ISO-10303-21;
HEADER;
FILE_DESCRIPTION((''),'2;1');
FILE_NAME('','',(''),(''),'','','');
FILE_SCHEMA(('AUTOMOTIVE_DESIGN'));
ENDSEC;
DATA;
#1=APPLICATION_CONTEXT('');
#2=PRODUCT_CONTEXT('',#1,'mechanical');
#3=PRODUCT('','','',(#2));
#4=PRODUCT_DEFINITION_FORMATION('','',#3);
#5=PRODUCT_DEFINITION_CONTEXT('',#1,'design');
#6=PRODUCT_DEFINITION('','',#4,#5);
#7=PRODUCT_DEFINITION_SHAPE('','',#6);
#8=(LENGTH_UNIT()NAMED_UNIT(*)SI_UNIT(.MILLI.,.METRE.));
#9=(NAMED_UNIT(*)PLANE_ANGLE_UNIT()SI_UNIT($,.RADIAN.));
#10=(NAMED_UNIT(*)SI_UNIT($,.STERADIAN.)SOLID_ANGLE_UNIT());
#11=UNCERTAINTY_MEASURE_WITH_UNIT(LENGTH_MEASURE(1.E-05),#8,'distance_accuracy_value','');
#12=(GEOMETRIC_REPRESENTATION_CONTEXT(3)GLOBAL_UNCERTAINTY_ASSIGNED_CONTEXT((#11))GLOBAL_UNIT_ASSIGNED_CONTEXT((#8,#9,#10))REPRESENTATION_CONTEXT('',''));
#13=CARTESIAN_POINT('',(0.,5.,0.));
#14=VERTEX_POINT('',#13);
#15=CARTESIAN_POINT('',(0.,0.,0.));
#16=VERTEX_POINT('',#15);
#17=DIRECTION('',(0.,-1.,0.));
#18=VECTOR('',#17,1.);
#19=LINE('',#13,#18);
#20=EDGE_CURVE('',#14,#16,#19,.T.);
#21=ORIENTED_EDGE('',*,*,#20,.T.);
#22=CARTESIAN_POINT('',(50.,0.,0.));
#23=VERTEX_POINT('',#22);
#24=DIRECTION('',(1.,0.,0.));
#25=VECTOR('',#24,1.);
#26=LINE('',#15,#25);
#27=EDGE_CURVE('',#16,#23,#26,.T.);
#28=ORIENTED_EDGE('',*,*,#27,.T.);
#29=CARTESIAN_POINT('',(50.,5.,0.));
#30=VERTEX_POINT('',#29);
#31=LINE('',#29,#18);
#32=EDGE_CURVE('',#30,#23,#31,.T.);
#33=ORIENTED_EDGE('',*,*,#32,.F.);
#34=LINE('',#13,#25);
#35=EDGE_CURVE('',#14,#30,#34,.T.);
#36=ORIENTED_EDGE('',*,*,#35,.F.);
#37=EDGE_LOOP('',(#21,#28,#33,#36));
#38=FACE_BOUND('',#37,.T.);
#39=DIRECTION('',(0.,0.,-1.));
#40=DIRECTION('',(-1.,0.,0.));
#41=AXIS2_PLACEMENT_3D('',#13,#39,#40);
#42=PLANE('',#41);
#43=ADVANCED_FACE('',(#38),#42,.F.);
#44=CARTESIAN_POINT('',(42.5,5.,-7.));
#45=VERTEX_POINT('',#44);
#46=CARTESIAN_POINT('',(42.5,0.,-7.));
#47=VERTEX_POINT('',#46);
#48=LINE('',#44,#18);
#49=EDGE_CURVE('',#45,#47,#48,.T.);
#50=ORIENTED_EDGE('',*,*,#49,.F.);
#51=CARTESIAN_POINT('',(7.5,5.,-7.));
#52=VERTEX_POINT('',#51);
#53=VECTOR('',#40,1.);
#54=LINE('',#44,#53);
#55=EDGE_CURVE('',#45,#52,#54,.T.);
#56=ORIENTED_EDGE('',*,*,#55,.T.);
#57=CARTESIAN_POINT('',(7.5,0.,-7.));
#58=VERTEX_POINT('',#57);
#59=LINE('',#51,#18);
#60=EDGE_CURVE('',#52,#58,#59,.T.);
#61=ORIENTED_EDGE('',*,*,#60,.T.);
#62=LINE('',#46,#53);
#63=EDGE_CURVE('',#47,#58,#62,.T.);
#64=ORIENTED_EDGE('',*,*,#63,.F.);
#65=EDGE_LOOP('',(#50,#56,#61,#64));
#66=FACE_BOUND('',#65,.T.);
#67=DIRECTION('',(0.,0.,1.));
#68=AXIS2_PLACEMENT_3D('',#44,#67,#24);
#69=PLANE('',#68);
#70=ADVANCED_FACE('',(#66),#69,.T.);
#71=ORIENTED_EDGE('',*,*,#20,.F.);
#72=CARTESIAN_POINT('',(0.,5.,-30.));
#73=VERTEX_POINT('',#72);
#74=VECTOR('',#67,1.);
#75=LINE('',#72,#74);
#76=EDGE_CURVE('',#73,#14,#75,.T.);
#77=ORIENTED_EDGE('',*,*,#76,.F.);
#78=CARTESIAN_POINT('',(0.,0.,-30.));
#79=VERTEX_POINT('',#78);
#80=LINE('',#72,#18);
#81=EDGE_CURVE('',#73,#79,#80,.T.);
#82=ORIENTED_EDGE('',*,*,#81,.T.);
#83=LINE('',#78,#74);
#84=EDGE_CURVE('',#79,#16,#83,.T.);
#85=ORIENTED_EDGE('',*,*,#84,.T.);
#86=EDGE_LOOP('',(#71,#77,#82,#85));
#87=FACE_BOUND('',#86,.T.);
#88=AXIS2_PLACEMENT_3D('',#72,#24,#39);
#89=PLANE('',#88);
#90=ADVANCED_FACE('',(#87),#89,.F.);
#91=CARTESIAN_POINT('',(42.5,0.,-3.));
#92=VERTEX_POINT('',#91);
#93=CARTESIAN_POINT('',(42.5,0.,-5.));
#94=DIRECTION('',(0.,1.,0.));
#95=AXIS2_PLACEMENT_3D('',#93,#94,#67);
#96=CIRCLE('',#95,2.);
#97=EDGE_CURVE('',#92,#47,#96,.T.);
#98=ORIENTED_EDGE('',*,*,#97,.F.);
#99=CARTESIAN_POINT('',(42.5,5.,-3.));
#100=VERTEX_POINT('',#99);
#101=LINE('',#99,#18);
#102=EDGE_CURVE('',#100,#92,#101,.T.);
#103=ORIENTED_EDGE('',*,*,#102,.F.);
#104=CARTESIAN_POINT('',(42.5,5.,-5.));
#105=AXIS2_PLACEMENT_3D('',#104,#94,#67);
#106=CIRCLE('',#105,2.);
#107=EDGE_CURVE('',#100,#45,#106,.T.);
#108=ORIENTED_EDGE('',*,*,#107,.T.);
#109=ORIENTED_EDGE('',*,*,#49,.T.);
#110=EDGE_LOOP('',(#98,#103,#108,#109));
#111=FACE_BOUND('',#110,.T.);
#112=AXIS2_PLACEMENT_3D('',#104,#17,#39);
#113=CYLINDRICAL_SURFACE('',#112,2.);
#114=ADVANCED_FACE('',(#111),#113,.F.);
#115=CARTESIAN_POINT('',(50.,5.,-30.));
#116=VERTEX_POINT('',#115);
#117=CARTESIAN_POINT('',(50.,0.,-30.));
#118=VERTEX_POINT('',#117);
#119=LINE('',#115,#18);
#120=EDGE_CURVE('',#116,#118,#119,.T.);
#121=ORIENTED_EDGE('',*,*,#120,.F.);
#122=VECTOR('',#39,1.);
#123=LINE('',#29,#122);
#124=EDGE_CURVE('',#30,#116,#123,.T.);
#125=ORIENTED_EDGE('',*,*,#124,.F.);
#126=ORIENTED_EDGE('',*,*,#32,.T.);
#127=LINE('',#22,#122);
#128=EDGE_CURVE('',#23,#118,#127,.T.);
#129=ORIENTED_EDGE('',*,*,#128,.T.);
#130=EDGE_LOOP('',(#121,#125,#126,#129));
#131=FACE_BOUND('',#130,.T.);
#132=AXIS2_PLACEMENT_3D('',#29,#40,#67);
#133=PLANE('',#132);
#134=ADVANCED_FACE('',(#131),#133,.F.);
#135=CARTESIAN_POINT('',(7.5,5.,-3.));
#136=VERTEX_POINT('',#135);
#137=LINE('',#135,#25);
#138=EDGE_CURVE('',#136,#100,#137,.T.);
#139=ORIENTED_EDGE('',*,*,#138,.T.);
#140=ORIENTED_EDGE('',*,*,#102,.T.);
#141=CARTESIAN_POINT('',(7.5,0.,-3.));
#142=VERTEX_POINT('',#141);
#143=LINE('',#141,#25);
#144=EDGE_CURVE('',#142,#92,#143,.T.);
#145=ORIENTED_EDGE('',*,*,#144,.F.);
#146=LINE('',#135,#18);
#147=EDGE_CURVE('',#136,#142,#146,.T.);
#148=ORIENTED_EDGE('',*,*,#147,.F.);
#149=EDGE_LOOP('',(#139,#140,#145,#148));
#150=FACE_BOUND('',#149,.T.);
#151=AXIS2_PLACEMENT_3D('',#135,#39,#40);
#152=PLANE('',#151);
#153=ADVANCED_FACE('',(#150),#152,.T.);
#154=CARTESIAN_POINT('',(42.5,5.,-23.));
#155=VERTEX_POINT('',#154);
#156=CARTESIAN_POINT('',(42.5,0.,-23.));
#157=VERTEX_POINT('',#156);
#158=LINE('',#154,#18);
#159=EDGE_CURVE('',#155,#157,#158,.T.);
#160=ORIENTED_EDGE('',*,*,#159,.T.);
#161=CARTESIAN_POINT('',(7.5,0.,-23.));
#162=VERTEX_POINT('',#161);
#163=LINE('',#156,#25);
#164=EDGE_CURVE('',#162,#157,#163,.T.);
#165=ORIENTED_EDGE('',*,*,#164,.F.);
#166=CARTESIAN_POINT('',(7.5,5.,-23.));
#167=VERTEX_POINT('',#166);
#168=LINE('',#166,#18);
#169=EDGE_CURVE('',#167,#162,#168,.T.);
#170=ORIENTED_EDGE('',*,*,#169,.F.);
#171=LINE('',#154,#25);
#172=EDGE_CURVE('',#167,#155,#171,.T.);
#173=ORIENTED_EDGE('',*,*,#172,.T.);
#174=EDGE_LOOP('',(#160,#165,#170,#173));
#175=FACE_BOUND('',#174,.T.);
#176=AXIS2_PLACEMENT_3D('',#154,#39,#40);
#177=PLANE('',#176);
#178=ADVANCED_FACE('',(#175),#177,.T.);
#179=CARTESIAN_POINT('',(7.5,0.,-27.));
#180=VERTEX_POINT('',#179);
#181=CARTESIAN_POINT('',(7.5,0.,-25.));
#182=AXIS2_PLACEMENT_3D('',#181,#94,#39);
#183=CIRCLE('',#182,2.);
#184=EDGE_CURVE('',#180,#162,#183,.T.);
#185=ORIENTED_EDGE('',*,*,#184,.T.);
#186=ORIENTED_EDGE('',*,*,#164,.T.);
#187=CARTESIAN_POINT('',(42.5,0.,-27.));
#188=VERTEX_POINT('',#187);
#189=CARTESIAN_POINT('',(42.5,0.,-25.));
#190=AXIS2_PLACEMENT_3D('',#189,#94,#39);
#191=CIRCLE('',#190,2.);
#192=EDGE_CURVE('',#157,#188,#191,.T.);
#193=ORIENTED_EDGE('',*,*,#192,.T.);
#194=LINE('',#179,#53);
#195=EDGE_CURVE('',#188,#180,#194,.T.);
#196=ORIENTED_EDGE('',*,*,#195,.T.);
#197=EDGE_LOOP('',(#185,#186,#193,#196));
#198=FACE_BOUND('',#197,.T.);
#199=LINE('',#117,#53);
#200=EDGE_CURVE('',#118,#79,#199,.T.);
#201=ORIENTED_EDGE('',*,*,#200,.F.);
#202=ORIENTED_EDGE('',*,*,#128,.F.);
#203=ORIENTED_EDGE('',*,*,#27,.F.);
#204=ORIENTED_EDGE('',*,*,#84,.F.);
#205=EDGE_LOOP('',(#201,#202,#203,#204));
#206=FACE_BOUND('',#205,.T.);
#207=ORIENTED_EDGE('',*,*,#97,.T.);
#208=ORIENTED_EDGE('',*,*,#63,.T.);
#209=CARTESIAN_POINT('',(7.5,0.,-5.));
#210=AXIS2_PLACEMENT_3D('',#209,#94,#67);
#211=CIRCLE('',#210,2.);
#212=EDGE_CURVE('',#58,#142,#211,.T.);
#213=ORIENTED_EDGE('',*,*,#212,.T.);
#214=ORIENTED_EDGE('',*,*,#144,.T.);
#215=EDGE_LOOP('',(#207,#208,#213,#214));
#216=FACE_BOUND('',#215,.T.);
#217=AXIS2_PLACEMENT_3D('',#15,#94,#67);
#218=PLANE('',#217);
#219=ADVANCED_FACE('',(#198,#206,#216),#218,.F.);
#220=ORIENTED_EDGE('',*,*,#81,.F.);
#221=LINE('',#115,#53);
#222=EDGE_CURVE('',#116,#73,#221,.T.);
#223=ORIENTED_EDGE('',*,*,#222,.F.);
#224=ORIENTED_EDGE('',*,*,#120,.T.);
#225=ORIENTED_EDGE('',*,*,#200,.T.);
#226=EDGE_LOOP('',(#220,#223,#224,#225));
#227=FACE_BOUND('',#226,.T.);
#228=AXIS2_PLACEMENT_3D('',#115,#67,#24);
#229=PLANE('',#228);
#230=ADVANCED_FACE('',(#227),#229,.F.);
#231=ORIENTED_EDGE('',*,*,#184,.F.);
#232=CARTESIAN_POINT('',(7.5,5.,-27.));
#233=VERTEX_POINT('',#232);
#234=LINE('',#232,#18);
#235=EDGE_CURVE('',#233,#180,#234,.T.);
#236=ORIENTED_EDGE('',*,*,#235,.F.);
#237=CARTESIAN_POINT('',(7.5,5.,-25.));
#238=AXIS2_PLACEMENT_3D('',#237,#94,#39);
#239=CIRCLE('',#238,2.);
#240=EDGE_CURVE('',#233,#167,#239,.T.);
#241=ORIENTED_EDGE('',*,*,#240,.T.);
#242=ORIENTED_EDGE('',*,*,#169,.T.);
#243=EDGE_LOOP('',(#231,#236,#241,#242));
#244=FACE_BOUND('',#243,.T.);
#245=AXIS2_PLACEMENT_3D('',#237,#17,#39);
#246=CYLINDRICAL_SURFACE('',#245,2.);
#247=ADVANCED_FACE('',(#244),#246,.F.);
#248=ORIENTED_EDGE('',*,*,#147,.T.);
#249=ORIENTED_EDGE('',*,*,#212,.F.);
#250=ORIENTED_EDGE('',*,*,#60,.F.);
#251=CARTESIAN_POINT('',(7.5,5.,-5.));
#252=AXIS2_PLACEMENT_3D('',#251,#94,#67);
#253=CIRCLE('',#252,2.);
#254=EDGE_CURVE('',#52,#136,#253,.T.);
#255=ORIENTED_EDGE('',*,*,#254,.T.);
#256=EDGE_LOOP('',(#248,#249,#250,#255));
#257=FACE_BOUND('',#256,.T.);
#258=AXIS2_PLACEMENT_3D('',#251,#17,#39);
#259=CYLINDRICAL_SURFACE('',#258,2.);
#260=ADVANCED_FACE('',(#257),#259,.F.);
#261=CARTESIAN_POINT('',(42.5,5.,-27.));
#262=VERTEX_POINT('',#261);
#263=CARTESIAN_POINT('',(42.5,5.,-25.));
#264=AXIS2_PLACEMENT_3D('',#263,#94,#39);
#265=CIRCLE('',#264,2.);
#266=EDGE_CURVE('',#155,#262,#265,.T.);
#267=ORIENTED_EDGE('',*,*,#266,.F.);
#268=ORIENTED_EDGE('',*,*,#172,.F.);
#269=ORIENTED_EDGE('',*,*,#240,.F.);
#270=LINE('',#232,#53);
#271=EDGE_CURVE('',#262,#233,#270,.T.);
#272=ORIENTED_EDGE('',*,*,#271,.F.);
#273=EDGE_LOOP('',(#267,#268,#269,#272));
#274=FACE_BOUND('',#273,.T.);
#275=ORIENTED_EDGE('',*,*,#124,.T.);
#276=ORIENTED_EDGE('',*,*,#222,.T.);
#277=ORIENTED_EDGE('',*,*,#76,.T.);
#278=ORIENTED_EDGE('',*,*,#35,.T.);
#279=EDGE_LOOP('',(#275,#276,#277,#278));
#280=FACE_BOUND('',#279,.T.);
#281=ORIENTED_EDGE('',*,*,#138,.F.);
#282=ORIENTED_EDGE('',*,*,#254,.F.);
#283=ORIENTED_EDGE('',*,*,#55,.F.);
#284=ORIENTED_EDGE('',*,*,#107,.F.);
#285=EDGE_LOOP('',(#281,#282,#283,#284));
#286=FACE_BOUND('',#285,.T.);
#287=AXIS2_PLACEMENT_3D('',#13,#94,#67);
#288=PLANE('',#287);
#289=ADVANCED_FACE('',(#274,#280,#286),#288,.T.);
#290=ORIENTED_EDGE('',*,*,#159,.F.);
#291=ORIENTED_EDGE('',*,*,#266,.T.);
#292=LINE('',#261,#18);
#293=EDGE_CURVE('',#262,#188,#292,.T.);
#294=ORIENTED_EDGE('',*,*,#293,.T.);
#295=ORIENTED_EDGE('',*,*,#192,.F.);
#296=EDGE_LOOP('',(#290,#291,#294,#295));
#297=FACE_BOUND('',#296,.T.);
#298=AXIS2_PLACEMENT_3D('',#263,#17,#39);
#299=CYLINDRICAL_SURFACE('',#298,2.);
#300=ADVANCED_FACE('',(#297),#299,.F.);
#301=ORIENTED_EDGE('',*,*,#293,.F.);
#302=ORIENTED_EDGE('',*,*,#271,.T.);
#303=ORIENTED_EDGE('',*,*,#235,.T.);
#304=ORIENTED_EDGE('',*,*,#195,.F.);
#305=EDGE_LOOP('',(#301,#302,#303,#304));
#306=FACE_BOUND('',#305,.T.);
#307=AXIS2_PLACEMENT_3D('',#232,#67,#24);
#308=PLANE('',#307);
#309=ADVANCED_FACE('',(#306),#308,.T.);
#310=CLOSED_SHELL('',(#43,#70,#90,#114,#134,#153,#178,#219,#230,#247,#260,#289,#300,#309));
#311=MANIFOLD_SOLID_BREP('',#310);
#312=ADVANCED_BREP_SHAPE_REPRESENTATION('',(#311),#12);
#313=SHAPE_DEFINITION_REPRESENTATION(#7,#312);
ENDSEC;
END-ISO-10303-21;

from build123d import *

# Parameters (mm, degrees)
SKETCH1_W           = 50
SKETCH1_H           = 30
BOSS_EXTRUDE1_DEPTH = 5


with BuildPart() as part:
    # Sketch1 → Boss-Extrude1 (new body)
    with BuildSketch(Plane(origin=(0, 0, 0), x_dir=(1, 0, 0), z_dir=(0, 1, 0))):
        with Locations((25, 15)):
            Rectangle(SKETCH1_W, SKETCH1_H)
        with BuildLine():
            Line((7.5, 27), (42.5, 27))
            ThreePointArc((42.5, 27), (44.5, 25), (42.5, 23))
            Line((42.5, 23), (7.5, 23))
            ThreePointArc((7.5, 23), (5.5, 25), (7.5, 27))
        make_face(mode=Mode.SUBTRACT)
        with BuildLine():
            Line((42.5, 7), (7.5, 7))
            ThreePointArc((7.5, 7), (5.5, 5), (7.5, 3))
            Line((7.5, 3), (42.5, 3))
            ThreePointArc((42.5, 3), (44.5, 5), (42.5, 7))
        make_face(mode=Mode.SUBTRACT)
    extrude(amount=BOSS_EXTRUDE1_DEPTH)


solid = part.part
